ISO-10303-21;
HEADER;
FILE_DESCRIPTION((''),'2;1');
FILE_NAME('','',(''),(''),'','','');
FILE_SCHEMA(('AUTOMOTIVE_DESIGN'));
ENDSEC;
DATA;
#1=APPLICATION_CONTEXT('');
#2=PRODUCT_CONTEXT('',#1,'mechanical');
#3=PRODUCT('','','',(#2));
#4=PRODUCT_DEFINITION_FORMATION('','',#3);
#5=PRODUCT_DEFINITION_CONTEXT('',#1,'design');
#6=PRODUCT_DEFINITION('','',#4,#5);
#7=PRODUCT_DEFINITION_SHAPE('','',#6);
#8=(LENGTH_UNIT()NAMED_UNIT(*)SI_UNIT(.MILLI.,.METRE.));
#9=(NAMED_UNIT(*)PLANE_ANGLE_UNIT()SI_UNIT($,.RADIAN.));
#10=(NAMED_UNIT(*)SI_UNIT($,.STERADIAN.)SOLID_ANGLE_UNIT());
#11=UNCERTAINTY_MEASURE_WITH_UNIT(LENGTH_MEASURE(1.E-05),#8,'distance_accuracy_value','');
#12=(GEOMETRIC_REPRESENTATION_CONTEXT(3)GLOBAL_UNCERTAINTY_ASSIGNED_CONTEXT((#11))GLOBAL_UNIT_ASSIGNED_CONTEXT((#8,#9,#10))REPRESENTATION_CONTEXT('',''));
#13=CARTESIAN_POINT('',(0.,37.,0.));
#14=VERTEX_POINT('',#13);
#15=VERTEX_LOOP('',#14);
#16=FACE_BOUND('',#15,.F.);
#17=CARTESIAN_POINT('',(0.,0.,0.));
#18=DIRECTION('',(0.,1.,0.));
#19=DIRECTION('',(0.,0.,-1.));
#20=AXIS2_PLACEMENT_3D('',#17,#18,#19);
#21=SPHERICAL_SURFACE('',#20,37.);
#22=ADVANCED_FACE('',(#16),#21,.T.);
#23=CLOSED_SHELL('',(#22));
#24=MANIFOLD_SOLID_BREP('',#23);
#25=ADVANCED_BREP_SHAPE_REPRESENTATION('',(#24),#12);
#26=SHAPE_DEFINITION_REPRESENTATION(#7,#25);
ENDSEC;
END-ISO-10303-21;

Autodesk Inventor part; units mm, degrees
ref_plane "YZ Plane" through (0, 0, 0) normal (1, 0, 0) x (0, 1, 0)
ref_plane "XZ Plane" through (0, 0, 0) normal (0, 1, 0) x (-1, 0, 0)
ref_plane "XY Plane" through (0, 0, 0) normal (0, 0, 1) x (1, 0, 0)
sketch "Эскиз1" plane through (0, 0, 0) normal (1, 0, 0) x (0, 1, 0)
  circle A0 centre (0, 0) radius 37
  line L0 (37, 0) -> (-37, 0)
  dimension "d0" = 74
revolve "Вращение1" add sketch "Эскиз1" angle 360 about axis through (0, 37, 0) along (0, -1, 0) picked at (-11.1119, -5.3512) contours A0 L0
properties part number "ball" material "Резина"
